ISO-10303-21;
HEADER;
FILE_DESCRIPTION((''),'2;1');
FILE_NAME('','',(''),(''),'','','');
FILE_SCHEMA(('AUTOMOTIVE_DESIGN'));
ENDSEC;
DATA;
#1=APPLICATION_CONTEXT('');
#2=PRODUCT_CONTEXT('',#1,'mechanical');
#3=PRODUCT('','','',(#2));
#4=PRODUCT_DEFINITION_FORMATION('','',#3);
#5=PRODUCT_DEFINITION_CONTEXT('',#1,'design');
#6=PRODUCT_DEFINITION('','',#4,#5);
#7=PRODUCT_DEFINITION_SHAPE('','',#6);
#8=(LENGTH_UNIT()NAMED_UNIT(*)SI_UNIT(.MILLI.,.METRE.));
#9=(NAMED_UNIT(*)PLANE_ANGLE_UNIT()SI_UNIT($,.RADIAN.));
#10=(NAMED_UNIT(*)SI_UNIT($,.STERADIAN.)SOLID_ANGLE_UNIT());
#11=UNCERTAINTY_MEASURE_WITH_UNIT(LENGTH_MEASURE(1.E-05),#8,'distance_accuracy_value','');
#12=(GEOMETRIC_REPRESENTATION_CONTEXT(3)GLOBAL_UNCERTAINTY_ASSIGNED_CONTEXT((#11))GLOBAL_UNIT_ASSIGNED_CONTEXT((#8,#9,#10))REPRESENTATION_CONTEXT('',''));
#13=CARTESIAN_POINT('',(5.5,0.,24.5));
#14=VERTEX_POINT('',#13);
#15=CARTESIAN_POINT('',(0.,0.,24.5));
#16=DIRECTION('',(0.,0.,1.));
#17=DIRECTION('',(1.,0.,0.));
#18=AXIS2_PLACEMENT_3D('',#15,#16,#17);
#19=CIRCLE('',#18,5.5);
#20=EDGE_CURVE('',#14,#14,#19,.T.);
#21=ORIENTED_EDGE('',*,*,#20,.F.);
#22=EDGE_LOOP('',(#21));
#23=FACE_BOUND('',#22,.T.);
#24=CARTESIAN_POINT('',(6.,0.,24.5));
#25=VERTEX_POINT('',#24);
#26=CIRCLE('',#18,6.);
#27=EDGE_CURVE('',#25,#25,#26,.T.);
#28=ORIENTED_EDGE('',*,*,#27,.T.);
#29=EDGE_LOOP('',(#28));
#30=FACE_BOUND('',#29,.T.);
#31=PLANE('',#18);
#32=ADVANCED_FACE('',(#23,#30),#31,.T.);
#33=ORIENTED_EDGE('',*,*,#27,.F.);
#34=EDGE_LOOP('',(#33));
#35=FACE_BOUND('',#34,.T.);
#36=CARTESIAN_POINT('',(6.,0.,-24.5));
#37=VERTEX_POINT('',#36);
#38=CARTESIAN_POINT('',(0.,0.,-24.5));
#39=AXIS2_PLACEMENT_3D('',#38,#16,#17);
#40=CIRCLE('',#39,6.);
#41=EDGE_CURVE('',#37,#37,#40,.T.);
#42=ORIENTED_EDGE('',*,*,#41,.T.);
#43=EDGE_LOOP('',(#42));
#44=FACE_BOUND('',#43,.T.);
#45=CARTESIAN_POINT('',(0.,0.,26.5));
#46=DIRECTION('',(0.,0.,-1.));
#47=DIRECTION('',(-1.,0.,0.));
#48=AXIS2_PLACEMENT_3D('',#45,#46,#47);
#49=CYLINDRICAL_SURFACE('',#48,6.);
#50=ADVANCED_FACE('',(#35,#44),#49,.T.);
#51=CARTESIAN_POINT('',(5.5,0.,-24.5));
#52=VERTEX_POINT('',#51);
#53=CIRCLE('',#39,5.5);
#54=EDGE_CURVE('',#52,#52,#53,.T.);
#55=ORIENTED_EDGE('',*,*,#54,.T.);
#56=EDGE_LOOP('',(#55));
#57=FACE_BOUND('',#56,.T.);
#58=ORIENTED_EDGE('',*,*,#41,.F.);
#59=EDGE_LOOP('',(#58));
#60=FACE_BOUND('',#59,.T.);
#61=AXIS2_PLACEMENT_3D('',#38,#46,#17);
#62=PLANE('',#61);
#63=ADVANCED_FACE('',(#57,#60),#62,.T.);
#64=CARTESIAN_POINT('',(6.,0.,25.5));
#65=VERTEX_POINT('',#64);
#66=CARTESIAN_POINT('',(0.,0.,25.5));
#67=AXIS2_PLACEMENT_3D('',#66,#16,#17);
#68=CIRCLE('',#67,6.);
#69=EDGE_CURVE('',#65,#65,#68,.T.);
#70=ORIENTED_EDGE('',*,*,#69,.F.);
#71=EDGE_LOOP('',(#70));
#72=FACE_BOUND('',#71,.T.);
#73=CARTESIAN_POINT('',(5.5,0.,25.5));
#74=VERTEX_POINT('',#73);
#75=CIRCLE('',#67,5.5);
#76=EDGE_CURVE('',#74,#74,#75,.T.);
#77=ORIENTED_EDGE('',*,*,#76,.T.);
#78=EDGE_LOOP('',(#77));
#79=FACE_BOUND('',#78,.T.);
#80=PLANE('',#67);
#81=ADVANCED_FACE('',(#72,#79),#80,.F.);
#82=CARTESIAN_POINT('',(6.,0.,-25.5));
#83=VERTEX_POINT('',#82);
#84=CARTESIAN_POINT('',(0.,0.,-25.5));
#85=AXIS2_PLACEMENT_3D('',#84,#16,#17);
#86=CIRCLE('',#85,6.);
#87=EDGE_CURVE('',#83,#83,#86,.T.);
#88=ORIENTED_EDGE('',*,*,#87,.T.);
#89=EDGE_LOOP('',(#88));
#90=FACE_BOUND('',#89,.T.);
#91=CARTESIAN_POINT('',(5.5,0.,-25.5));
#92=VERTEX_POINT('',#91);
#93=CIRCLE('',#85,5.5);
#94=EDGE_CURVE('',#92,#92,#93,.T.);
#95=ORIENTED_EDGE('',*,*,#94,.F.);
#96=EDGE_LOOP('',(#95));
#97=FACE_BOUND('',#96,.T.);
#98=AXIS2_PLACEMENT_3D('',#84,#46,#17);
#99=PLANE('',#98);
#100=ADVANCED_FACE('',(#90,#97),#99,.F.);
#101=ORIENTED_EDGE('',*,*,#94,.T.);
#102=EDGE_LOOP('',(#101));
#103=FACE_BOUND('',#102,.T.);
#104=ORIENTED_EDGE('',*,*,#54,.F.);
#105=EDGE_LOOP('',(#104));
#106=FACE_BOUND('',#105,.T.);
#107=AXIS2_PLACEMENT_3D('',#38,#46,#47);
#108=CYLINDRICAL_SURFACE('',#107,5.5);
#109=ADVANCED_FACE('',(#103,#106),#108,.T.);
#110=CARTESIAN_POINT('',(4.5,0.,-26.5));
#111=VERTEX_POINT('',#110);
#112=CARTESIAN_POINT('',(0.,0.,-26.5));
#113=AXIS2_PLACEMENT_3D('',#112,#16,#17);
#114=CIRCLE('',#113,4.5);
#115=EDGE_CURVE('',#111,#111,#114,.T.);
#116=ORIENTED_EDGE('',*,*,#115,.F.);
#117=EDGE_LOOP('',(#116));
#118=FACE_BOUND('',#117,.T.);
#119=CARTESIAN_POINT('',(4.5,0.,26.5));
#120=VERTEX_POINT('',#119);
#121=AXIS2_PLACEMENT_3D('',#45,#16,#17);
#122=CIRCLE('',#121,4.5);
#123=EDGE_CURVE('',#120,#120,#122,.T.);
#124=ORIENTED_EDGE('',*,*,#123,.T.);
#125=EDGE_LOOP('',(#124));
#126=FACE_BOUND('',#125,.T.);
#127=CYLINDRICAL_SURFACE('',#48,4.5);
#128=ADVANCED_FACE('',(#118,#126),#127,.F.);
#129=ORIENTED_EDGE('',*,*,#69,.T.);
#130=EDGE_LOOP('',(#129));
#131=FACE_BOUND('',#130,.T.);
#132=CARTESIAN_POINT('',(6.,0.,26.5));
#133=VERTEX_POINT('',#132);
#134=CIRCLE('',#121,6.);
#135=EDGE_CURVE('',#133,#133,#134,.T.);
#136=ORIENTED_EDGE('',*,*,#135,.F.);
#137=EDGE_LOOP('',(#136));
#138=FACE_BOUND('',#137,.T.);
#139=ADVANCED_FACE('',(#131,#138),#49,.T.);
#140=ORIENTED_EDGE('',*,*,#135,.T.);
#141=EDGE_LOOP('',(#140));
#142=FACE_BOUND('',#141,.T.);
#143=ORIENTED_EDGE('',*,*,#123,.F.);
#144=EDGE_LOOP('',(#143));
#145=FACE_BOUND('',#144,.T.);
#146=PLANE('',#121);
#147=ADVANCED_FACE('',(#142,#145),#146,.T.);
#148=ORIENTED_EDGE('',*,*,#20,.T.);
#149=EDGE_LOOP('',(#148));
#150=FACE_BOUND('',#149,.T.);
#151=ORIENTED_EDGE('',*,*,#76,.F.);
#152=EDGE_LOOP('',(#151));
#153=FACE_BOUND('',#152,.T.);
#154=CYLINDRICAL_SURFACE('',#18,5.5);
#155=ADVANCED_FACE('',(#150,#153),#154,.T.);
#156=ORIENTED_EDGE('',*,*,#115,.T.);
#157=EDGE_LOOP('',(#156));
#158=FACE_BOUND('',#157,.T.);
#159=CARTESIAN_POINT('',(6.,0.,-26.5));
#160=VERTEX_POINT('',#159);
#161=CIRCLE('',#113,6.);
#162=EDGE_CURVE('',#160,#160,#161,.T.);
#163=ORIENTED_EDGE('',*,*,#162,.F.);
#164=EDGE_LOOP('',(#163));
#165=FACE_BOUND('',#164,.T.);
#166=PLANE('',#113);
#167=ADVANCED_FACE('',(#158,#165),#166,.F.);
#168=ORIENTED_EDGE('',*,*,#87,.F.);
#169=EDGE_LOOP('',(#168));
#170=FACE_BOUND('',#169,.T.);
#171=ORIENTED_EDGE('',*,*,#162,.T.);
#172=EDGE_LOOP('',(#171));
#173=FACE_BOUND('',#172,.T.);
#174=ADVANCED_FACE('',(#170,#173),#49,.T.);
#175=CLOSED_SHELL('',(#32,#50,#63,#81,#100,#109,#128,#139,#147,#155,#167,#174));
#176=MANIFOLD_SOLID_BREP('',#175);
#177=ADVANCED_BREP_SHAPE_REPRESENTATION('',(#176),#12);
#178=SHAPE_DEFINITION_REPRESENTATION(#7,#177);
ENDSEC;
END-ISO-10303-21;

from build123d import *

# Parameters (mm, degrees)
SKETCH_1_R          = 6
SKETCH_1_R_2        = 4.5
EXTRUDE_1_DEPTH     = 26.5
CUT_EXTRUDE_START   = -1
SKETCH_2_R          = 6
SKETCH_2_R_2        = 5.5
CUT_EXTRUDE_1_DEPTH = 1


with BuildPart() as part:
    # Эскиз1 → Бобышка-Вытянуть1 (new body, symmetric)
    with BuildSketch(Plane.XY):
        Circle(SKETCH_1_R)
        Circle(SKETCH_1_R_2, mode=Mode.SUBTRACT)
    extrude(amount=EXTRUDE_1_DEPTH, both=True)

    # Эскиз2 → Вырез-Вытянуть1 (cut)
    with BuildSketch(Plane.XY.offset(26.5).offset(CUT_EXTRUDE_START)):
        Circle(SKETCH_2_R)
        Circle(SKETCH_2_R_2, mode=Mode.SUBTRACT)
    cut_extrude_1 = extrude(amount=-CUT_EXTRUDE_1_DEPTH, mode=Mode.SUBTRACT)

    # Зеркальное отражение1: Вырез-Вытянуть1 across plane
    add(cut_extrude_1.mirror(Plane.XY), mode=Mode.SUBTRACT)


solid = part.part
